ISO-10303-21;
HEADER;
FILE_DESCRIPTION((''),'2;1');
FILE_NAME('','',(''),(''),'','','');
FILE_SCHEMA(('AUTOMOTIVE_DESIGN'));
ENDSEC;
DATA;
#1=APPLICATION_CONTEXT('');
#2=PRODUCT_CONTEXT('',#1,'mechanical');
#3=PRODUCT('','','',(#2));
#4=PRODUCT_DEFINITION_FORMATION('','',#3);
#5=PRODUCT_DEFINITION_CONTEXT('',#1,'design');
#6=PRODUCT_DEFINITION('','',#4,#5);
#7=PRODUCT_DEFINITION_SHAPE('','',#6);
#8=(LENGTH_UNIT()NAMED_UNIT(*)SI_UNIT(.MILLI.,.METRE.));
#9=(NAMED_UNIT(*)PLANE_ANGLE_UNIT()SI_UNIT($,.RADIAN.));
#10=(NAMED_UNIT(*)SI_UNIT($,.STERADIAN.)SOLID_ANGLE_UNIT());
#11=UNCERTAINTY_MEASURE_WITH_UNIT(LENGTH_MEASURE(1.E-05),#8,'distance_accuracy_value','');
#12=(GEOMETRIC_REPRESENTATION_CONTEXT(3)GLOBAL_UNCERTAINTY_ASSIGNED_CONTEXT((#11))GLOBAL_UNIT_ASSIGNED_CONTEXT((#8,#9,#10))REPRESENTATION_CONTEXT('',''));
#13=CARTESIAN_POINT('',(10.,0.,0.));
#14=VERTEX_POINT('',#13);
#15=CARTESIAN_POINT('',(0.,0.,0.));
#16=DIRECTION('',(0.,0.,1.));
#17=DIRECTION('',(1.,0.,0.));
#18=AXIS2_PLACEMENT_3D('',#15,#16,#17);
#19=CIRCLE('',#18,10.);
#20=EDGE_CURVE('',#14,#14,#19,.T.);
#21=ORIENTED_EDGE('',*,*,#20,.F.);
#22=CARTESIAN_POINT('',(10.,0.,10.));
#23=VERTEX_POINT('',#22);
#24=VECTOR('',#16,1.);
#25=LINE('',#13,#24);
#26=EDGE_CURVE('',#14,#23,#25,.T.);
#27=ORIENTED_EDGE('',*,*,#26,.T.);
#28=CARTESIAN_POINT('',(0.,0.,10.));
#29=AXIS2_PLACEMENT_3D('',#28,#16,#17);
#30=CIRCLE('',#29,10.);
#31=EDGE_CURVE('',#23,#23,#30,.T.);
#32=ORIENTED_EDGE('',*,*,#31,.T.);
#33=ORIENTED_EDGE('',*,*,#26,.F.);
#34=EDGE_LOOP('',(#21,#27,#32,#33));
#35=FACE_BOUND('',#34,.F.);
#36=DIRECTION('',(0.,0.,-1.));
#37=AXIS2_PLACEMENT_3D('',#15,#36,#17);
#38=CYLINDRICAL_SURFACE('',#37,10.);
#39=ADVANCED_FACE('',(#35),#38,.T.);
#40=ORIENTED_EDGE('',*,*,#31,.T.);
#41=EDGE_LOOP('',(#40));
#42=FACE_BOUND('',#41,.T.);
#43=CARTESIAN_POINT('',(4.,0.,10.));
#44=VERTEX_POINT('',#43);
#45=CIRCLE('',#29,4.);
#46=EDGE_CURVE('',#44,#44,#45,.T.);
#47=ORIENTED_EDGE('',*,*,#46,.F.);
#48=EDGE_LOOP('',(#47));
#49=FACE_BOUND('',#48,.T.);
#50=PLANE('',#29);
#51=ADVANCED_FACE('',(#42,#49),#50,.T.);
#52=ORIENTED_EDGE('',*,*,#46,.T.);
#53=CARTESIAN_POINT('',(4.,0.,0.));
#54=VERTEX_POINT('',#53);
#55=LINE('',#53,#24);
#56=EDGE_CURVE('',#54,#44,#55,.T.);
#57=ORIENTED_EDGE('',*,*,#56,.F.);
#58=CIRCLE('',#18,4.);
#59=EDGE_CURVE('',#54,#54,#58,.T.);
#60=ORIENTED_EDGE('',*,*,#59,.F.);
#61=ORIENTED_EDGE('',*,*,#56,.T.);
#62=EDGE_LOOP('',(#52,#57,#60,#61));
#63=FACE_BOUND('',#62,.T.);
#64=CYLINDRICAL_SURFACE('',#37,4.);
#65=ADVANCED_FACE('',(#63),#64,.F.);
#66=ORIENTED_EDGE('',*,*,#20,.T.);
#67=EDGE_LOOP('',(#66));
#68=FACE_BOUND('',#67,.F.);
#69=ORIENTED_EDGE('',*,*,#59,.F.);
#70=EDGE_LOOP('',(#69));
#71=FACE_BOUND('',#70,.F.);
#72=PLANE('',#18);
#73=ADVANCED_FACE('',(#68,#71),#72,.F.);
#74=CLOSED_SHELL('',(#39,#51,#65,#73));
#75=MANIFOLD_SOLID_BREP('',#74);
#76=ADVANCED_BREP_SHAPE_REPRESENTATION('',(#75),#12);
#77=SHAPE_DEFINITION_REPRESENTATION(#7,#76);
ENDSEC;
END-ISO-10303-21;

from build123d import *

# Parameters (mm, degrees)
SKETCH_R   = 10
SKETCH_R_2 = 4
PAD_DEPTH  = 10


with BuildPart() as part:
    # Sketch → Pad (new body)
    with BuildSketch(Plane.XY):
        Circle(SKETCH_R)
        Circle(SKETCH_R_2, mode=Mode.SUBTRACT)
    extrude(amount=PAD_DEPTH)


solid = part.part
